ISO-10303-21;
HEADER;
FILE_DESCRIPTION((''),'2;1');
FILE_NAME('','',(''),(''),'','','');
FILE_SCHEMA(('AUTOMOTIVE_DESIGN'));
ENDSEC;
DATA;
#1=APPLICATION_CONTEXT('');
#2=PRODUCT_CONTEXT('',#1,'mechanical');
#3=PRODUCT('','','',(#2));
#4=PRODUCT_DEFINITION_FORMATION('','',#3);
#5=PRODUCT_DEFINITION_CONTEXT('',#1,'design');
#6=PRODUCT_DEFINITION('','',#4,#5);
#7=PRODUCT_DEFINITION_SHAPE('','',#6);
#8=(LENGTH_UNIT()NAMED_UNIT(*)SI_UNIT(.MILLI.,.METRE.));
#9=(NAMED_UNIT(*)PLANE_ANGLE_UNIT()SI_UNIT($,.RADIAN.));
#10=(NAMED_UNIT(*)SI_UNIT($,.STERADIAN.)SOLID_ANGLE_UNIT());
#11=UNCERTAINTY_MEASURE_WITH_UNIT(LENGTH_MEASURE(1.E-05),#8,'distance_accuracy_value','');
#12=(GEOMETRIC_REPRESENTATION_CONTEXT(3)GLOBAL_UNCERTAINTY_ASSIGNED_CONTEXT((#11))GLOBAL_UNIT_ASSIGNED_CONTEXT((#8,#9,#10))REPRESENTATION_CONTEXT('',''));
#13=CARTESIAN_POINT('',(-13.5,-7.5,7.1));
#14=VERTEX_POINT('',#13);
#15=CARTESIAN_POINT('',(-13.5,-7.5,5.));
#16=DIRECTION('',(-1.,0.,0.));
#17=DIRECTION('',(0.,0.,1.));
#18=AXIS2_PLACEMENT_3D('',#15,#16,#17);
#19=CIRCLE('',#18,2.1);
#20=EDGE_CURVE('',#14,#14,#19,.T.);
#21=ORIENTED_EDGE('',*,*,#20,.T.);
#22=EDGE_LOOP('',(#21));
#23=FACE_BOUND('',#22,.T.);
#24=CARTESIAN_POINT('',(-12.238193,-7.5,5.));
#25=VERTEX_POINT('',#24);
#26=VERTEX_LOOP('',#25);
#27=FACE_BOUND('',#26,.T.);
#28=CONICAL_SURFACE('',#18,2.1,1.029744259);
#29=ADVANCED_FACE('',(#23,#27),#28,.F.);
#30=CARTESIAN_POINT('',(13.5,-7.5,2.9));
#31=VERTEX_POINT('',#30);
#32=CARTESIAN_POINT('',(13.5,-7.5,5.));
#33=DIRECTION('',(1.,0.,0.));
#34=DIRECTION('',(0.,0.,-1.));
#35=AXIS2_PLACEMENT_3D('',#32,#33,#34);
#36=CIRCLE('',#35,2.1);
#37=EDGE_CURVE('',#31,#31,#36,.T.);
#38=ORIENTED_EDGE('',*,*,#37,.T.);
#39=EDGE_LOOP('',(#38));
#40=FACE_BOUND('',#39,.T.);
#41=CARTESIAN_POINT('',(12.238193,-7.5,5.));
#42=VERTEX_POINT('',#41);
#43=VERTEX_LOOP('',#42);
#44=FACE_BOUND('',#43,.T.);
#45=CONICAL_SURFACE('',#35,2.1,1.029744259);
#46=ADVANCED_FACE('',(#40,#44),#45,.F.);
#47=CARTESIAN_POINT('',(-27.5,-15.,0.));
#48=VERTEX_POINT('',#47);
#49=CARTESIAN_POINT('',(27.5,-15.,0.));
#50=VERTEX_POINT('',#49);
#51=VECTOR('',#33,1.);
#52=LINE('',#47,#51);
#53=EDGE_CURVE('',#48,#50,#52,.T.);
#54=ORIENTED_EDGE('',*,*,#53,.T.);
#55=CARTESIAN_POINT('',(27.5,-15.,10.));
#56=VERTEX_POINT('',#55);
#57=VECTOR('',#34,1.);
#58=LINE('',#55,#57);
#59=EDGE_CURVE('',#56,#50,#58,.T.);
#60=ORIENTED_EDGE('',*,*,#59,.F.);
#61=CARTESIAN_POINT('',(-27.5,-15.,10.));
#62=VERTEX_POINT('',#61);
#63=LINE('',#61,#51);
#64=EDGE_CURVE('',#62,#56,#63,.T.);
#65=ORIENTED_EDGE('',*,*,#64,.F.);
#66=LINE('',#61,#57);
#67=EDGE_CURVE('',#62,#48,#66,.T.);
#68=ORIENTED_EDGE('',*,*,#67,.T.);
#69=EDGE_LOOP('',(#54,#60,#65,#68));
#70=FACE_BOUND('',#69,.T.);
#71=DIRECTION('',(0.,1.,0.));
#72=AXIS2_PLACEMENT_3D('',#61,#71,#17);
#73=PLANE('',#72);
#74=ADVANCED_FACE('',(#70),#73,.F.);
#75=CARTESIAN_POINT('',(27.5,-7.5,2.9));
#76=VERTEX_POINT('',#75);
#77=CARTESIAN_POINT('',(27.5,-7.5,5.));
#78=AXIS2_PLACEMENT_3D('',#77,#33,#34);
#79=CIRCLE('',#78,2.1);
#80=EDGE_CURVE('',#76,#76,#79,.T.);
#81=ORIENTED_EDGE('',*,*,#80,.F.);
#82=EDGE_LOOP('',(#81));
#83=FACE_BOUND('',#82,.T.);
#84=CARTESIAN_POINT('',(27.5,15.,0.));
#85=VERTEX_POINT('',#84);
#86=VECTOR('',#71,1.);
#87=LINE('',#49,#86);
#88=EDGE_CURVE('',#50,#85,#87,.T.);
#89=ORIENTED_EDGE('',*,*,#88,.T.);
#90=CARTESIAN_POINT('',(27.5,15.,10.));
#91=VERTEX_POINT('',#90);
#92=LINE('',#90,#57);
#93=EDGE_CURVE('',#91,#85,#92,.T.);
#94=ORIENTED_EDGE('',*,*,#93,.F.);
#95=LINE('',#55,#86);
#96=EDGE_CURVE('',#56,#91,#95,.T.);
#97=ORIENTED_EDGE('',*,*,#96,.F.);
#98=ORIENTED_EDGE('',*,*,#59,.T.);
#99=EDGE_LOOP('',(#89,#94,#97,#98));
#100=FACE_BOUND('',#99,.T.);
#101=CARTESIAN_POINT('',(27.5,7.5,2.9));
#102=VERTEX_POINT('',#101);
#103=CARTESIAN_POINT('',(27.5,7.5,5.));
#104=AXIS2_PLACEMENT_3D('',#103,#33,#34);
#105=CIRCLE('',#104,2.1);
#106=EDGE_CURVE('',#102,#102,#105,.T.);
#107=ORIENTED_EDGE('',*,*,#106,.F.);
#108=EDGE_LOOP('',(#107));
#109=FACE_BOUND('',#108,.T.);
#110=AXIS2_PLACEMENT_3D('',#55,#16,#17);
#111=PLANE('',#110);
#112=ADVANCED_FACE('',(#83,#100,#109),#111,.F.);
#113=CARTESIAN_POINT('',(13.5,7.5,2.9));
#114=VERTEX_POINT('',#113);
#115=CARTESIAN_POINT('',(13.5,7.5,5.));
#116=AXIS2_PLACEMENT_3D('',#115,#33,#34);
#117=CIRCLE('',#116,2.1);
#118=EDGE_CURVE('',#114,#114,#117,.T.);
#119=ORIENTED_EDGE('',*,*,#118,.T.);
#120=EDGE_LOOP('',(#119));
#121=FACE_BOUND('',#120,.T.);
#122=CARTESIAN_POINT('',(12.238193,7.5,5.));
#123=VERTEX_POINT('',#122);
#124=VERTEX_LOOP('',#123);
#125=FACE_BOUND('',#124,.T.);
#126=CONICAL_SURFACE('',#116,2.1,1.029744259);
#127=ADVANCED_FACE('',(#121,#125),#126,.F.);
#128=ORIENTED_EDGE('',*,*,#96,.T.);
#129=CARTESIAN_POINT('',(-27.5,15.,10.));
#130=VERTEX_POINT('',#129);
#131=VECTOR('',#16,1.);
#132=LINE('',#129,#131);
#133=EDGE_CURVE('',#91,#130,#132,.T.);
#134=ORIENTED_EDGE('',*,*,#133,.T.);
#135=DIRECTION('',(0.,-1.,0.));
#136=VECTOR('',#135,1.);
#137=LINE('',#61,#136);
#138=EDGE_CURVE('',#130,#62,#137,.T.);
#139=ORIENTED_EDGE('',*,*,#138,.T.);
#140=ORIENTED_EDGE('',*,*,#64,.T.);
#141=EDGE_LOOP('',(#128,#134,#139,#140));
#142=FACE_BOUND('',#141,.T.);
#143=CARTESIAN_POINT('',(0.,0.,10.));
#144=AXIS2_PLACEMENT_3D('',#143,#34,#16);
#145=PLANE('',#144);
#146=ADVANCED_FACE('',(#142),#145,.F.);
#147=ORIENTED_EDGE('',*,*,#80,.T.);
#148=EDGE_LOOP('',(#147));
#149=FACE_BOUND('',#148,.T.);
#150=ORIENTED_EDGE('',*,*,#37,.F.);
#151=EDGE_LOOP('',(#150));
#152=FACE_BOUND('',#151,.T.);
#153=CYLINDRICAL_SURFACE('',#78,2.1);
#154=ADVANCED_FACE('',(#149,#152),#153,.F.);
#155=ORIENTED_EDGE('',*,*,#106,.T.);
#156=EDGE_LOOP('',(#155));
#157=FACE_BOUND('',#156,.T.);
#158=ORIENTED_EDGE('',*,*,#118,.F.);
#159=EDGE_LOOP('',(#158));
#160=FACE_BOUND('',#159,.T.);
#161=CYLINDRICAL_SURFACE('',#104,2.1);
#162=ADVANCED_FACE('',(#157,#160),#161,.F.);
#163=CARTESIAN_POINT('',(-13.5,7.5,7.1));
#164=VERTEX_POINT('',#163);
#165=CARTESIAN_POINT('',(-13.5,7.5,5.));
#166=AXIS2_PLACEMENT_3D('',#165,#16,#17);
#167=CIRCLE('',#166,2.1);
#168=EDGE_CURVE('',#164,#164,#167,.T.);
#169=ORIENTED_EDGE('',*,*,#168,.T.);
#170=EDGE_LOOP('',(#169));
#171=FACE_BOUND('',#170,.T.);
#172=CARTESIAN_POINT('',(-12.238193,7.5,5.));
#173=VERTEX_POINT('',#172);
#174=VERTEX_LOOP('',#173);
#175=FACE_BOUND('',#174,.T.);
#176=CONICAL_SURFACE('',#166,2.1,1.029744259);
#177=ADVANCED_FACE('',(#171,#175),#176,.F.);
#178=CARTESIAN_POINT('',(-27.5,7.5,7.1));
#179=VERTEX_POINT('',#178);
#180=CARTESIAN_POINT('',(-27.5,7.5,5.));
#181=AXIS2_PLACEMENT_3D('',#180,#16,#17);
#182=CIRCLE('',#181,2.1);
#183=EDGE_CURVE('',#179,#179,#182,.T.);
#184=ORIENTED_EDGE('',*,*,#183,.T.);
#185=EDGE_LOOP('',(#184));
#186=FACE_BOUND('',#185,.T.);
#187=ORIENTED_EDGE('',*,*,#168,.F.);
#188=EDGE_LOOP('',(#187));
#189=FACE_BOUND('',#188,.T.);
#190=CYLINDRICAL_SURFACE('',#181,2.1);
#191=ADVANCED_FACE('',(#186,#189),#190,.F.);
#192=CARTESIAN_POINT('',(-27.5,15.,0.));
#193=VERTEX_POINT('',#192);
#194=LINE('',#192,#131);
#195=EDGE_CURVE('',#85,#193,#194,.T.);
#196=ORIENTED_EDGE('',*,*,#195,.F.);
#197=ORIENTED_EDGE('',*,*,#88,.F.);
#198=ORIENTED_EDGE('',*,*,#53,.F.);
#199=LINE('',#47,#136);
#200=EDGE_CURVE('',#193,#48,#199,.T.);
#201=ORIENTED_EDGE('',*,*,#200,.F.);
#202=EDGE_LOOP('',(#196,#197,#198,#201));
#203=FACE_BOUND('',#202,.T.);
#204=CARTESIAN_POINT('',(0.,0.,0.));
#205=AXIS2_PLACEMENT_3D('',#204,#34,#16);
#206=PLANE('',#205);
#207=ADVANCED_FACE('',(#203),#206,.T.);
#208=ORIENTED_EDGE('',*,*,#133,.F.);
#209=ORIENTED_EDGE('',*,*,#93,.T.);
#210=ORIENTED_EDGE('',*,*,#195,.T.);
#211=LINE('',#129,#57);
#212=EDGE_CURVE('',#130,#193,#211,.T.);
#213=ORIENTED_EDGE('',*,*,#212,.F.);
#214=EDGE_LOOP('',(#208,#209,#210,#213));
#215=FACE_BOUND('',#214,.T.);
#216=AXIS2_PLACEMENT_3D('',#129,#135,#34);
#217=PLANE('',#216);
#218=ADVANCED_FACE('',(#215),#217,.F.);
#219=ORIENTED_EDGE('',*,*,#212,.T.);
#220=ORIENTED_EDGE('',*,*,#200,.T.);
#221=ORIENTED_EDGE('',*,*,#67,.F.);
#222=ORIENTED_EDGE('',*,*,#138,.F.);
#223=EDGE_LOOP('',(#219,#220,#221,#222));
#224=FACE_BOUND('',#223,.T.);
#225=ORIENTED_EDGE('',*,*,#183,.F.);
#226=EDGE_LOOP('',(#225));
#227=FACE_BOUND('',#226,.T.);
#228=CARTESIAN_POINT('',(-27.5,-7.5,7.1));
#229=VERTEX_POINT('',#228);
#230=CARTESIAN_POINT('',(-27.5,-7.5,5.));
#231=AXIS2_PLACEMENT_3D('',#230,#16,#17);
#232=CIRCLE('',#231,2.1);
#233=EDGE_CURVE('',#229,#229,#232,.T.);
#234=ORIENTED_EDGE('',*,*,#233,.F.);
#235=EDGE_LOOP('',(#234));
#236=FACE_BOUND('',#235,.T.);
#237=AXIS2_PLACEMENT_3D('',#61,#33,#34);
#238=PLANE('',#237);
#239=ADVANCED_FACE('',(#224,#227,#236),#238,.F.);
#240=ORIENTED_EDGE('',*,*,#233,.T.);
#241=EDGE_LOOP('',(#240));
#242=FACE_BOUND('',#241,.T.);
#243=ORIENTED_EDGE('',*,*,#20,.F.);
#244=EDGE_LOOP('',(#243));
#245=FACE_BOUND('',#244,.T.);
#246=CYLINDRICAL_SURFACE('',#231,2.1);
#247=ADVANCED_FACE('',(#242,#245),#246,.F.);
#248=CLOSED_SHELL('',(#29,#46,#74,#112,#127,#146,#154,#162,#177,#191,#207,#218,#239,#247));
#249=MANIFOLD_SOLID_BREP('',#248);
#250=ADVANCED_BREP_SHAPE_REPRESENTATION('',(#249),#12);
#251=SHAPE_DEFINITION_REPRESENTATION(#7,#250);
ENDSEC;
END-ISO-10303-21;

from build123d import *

# Parameters (mm, degrees)
SKETCH1_W                  = 55
SKETCH1_H                  = 30
BOSS_EXTRUDE1_DEPTH        = 10
M5_TAPPED_HOLE1_AT_2_COUNT = 2
M5_TAPPED_HOLE1_AT_2_PITCH = 15


with BuildPart() as part:
    # Sketch1 → Boss-Extrude1 (new body)
    with BuildSketch(Plane.XY):
        Rectangle(SKETCH1_W, SKETCH1_H)
    extrude(amount=BOSS_EXTRUDE1_DEPTH)

    # Sketch3 → M5 Tapped Hole1 (revolve, cut)
    with BuildSketch(Plane(origin=(-27.5, 7.5, 5), x_dir=(0, 0, 1), z_dir=(0, 1, 0))):
        Polygon((0, 0), (0, 15.2618073), (2.1, 14), (2.1, 0), align=None)
    m5_tapped_hole1 = revolve(axis=Axis((-33.85, 7.5, 5), (1, 0, 0)), mode=Mode.SUBTRACT)

    # M5 Tapped Hole1 at 2: M5 Tapped Hole1 ×2
    with Locations(*[(0, -i * M5_TAPPED_HOLE1_AT_2_PITCH, 0) for i in range(1, M5_TAPPED_HOLE1_AT_2_COUNT)]):
        add(m5_tapped_hole1, mode=Mode.SUBTRACT)

    # Mirror1: M5 Tapped Hole1 across plane
    add(m5_tapped_hole1.mirror(Plane(origin=(0, 0, 0), x_dir=(0, 0, 1), z_dir=(1, 0, 0))), mode=Mode.SUBTRACT)

    # Mirror1 copy 1 sketch → Mirror1 copy 1 (revolve, cut)
    with BuildSketch(Plane(origin=(27.5, -7.5, 5), x_dir=(0, 0, 1), z_dir=(0, 1, 0))):
        Polygon((0, 0), (0, -15.2618073), (2.1, -14), (2.1, 0), align=None)
    revolve(axis=Axis((33.85, -7.5, 5), (1, 0, 0)), mode=Mode.SUBTRACT)


solid = part.part
